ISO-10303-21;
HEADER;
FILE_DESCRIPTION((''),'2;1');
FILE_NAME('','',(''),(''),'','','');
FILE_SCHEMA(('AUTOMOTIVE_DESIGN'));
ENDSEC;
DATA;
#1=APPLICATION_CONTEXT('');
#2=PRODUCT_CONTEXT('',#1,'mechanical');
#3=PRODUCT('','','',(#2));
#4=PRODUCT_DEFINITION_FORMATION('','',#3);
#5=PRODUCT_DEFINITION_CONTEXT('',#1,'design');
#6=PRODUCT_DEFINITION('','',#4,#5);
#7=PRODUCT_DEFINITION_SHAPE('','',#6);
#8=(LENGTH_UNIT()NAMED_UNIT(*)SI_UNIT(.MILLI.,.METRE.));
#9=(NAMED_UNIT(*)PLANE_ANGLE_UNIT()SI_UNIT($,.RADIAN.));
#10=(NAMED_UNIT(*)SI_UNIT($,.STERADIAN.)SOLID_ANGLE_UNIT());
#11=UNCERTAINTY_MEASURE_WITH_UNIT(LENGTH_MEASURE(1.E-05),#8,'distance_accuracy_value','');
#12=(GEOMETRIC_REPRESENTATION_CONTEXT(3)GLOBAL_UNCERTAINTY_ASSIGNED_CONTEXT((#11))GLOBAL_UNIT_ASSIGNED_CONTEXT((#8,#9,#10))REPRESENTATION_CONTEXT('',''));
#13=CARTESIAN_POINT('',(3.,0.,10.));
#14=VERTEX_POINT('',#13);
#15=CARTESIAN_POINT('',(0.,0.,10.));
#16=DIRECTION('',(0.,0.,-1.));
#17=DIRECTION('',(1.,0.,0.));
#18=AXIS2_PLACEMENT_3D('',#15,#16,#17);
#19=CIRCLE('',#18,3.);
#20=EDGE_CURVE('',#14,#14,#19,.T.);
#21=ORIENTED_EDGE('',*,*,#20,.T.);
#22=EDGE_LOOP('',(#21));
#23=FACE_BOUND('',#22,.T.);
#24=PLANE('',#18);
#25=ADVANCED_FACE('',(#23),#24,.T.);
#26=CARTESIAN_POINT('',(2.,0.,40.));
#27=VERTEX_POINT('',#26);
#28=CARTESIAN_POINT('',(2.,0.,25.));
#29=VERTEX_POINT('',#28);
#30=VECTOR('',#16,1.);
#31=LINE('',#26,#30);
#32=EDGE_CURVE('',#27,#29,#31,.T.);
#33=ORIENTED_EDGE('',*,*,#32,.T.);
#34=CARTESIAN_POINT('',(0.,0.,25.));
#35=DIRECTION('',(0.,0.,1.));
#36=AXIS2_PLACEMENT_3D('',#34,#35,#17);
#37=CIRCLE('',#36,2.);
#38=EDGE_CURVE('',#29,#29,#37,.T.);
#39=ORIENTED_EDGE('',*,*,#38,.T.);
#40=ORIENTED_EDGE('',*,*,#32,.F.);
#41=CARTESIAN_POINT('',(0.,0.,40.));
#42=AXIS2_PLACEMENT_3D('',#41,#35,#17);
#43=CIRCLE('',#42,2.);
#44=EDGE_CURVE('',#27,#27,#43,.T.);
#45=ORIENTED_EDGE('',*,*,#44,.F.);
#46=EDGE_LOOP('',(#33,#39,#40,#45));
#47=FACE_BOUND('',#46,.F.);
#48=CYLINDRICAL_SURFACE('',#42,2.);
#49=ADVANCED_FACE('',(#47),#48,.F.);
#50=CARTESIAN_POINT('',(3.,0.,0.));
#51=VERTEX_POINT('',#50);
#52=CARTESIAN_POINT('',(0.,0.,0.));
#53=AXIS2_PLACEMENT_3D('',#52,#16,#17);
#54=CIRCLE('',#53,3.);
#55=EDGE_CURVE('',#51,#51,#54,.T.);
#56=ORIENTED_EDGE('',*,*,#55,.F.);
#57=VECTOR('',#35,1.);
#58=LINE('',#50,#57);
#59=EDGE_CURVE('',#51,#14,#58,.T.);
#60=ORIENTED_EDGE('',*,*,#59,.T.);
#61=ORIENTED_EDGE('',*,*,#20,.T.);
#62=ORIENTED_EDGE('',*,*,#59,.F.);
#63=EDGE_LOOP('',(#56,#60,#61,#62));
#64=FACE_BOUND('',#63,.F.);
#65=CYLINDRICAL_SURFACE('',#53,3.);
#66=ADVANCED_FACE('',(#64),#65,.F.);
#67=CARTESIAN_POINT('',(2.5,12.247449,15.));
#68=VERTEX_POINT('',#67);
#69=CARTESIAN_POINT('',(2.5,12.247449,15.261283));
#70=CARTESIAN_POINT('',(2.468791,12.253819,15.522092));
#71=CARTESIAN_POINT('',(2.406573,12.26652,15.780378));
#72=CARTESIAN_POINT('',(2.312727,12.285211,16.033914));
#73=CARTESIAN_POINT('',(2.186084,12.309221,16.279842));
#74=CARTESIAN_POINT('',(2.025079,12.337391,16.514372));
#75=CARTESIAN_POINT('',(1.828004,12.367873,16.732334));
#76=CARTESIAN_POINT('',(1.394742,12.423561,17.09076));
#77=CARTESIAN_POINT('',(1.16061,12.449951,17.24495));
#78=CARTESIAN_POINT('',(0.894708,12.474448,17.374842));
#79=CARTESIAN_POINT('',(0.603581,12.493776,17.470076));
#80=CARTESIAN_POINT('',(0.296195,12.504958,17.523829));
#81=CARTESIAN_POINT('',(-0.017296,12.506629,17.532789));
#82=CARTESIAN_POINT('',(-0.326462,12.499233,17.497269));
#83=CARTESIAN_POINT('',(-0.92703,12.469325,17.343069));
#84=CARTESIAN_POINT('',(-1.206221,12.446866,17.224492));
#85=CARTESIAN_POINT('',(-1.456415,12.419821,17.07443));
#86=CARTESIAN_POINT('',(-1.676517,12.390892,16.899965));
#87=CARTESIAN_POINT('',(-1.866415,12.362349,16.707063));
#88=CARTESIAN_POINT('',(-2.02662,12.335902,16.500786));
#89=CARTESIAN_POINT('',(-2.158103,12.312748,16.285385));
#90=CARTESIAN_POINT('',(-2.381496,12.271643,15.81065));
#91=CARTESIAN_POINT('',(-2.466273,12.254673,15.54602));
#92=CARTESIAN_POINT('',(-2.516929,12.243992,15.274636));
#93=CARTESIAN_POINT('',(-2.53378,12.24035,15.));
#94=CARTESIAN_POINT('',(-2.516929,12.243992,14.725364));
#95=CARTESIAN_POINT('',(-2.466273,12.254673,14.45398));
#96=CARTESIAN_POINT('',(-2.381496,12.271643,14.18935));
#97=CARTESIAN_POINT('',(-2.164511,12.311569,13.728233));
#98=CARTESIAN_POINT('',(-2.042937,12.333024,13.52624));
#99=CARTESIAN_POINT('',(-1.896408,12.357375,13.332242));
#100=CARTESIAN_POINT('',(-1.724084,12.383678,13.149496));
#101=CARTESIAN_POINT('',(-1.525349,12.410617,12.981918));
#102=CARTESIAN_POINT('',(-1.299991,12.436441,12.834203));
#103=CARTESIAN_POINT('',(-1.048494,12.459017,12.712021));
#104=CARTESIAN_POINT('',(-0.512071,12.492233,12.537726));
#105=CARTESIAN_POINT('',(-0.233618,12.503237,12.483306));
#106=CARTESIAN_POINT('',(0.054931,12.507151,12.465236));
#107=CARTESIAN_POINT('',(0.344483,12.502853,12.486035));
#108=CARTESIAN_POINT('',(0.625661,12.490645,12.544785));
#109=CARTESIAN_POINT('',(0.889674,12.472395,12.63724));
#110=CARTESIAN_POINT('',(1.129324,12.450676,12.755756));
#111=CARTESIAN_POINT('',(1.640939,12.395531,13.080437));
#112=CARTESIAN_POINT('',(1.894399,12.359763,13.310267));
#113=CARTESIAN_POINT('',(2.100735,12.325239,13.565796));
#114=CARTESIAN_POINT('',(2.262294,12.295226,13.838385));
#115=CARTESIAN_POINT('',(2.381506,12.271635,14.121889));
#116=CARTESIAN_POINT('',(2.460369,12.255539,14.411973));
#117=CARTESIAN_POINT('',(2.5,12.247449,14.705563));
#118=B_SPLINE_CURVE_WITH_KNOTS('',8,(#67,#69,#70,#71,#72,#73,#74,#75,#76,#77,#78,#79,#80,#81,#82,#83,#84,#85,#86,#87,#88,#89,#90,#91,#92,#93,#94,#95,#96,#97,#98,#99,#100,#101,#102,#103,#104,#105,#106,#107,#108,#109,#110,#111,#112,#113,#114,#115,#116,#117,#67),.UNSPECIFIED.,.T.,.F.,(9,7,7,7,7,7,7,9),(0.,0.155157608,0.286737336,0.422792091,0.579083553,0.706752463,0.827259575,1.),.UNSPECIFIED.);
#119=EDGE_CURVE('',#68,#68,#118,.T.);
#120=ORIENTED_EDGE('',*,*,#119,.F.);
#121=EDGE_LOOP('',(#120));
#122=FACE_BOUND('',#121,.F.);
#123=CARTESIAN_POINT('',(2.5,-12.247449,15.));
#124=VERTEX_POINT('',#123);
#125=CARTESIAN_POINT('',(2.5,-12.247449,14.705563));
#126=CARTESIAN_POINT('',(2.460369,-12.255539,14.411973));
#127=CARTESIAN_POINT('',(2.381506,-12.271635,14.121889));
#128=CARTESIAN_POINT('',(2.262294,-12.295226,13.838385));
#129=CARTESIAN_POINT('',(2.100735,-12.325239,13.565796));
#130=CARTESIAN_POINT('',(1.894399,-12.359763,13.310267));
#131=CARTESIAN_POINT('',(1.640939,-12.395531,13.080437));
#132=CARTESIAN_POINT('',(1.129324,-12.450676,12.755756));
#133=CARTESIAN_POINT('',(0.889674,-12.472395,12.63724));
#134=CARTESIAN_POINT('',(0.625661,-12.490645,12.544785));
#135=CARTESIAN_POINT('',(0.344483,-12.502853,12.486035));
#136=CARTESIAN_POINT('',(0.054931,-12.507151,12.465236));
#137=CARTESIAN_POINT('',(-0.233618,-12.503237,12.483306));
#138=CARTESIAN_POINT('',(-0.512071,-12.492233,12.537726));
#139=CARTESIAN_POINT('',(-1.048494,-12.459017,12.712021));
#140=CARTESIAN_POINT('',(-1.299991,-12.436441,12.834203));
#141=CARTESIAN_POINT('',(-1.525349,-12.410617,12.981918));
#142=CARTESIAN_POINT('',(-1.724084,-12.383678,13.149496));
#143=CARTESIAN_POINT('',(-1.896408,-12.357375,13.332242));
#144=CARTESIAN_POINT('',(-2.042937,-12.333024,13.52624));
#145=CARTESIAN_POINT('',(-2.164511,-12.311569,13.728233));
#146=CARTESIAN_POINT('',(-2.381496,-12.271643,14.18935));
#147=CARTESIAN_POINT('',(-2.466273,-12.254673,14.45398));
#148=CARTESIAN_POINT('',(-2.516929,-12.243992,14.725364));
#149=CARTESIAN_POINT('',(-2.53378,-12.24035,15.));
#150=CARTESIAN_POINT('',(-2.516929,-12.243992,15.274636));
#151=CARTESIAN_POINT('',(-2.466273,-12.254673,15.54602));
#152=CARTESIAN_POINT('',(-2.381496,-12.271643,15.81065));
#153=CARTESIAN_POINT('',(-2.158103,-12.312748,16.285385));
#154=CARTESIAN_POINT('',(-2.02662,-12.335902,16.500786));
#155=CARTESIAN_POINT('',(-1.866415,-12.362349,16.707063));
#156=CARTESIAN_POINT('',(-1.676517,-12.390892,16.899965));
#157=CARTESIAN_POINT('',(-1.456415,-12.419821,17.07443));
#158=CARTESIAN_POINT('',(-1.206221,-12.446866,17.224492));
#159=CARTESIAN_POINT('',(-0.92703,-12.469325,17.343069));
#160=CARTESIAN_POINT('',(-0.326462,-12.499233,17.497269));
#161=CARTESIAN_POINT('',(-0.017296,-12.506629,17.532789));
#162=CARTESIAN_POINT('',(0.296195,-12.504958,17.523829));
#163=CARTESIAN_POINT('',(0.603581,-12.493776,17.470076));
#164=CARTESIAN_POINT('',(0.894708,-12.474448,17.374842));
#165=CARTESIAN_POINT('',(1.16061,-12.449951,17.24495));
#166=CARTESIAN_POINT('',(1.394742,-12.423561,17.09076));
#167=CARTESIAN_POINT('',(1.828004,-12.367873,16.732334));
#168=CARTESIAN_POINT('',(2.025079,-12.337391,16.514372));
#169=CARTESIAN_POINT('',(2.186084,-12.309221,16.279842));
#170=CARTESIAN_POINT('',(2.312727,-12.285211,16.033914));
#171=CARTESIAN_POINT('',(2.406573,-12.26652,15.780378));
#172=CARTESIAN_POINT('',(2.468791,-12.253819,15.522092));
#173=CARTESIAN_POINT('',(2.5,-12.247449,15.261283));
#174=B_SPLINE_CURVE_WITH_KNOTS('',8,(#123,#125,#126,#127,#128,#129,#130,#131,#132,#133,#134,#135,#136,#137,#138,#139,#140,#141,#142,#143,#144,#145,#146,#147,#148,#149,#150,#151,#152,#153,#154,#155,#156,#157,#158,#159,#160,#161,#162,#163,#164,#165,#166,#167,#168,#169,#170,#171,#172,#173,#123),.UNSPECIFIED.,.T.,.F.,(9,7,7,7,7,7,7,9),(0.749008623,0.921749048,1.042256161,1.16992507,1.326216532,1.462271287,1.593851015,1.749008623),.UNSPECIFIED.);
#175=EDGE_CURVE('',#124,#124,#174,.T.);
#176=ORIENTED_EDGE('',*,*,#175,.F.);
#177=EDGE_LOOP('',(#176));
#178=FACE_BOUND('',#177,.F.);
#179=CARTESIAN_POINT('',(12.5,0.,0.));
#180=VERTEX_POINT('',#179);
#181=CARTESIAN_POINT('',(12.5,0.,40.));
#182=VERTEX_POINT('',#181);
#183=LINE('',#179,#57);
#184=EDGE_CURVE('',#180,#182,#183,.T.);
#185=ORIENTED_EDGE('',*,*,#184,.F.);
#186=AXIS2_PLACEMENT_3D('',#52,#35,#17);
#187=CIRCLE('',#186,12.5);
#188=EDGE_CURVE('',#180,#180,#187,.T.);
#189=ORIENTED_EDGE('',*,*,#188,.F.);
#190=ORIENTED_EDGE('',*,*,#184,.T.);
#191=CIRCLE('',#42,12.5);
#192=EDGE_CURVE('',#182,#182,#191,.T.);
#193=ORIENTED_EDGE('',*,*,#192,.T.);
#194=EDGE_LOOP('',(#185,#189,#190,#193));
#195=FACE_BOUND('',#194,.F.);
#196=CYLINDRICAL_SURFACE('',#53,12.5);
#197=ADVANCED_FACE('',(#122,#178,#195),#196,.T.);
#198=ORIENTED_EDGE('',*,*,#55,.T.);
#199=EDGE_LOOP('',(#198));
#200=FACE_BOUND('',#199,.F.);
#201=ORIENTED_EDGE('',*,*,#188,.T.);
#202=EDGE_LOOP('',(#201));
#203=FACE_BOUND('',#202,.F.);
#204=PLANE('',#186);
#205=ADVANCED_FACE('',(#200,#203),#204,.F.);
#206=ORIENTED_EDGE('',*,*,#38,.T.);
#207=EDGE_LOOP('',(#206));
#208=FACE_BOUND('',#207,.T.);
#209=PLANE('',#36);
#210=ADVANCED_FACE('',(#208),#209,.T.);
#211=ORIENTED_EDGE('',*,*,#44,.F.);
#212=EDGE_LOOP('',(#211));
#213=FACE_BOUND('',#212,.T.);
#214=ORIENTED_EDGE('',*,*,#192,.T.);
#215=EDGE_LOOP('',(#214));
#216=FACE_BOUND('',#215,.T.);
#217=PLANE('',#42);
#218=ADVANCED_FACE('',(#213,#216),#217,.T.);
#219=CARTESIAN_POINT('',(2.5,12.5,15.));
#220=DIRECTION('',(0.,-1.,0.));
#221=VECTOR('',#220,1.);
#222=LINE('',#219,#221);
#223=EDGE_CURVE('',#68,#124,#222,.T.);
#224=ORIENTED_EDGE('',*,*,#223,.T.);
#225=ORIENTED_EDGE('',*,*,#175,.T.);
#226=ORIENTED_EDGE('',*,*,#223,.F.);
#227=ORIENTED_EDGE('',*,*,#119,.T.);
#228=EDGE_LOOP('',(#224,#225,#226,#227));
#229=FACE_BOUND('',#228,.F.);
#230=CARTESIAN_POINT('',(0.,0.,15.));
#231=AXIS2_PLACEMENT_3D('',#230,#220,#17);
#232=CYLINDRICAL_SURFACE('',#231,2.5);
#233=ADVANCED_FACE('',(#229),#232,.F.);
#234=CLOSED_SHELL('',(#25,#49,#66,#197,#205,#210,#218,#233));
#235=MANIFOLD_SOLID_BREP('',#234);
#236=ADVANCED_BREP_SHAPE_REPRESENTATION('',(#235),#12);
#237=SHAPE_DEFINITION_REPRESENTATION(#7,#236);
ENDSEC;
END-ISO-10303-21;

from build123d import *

# Parameters (mm, degrees)
F0_R     = 12.5
F1_DEPTH = 40
F2_R     = 2
F3_DEPTH = 15
F4_R     = 3
F5_DEPTH = 10
F6_R     = 2.5
F7_DEPTH = 12.5


with BuildPart() as f1:
    # F0 (on Top) → F1 (new body)
    with BuildSketch(Plane.XY):
        Circle(F0_R)
    extrude(amount=F1_DEPTH)

    # F2 (on face) → F3 (cut)
    with BuildSketch(Plane.XY.offset(40)):
        Circle(F2_R)
    extrude(amount=-F3_DEPTH, mode=Mode.SUBTRACT)

    # F4 (on face) → F5 (cut)
    with BuildSketch(Plane(origin=(0, 0, 0), x_dir=(1, 0, 0), z_dir=(0, 0, -1))):
        Circle(F4_R)
    extrude(amount=-F5_DEPTH, mode=Mode.SUBTRACT)

    # F6 (on Front) → F7 (cut, symmetric)
    with BuildSketch(Plane.XZ):
        with Locations((0, 15)):
            Circle(F6_R)
    extrude(amount=F7_DEPTH, both=True, mode=Mode.SUBTRACT)


solid = f1.part
